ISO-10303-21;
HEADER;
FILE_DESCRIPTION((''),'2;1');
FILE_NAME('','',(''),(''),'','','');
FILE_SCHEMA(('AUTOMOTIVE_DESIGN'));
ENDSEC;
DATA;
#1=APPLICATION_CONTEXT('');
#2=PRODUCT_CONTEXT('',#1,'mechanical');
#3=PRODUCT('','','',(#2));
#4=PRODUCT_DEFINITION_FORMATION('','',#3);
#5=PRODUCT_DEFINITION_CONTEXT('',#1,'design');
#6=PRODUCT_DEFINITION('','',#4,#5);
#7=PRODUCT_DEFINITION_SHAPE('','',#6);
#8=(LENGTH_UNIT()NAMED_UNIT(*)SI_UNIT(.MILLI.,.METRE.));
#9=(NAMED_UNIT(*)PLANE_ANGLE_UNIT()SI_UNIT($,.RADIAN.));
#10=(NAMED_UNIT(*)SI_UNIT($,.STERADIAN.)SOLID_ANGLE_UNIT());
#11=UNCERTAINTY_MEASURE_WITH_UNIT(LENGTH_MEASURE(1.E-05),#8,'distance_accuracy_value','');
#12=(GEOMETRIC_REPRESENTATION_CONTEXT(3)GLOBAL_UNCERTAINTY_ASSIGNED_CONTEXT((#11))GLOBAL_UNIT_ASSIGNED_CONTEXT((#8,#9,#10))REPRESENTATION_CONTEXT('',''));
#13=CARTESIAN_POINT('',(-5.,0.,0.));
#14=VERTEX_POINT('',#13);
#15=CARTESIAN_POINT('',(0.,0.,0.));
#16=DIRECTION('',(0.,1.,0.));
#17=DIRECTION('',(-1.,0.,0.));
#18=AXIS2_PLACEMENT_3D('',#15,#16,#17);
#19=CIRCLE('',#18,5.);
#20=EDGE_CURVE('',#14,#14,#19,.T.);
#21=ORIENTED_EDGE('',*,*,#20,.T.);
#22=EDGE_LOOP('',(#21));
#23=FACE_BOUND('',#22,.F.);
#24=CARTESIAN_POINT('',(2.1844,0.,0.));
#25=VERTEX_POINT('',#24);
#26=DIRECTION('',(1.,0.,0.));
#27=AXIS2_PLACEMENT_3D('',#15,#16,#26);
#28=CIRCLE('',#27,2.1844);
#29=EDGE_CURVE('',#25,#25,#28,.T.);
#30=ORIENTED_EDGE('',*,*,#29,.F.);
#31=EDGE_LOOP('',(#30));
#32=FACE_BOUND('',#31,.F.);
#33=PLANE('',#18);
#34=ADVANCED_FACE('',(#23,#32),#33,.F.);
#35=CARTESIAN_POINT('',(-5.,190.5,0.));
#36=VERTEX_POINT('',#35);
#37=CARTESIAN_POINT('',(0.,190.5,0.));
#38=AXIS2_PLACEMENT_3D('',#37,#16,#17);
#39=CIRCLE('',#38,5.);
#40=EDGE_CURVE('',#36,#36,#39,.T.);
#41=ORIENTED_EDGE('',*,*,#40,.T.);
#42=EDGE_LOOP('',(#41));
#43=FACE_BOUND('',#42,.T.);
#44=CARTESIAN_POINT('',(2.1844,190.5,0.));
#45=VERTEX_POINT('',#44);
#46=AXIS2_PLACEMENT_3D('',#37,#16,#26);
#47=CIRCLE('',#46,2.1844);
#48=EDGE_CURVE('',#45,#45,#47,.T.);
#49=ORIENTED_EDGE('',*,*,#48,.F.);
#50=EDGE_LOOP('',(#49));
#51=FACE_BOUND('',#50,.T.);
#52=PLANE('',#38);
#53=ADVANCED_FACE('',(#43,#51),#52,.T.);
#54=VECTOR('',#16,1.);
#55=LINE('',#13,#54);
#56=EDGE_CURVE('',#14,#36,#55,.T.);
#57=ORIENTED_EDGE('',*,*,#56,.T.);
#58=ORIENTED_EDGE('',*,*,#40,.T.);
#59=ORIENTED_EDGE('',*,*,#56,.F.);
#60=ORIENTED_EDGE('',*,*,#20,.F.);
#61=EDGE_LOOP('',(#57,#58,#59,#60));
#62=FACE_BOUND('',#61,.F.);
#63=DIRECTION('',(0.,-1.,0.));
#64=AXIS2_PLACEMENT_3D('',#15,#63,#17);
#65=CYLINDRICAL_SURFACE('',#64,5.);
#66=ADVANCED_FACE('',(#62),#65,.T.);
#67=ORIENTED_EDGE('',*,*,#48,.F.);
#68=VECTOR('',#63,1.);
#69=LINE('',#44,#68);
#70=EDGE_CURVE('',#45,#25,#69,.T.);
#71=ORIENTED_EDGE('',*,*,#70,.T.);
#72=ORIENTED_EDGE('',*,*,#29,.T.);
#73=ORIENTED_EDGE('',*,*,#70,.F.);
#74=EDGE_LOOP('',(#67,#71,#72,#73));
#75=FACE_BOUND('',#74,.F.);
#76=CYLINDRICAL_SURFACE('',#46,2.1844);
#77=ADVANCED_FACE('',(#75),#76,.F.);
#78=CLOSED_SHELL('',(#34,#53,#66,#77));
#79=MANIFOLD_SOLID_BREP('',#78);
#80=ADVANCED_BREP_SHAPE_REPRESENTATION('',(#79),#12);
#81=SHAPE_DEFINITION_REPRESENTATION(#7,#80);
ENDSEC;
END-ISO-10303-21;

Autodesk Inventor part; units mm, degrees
ref_plane "YZ Plane" through (0, 0, 0) normal (1, 0, 0) x (0, 1, 0)
ref_plane "XZ Plane" through (0, 0, 0) normal (0, 1, 0) x (-1, 0, 0)
ref_plane "XY Plane" through (0, 0, 0) normal (0, 0, 1) x (1, 0, 0)
sketch "Boceto1" plane through (0, 0, 0) normal (0, 1, 0) x (-1, 0, 0)
  line L0 (-1.5875, 1.5875) -> (1.5875, 1.5875)
  line L1 (1.5875, 1.5875) -> (1.5875, -1.5875)
  line L2 (1.5875, -1.5875) -> (-1.5875, -1.5875)
  line L3 (-1.5875, -1.5875) -> (-1.5875, 1.5875)
  line L4 (-1.5875, 1.5875) -> (1.5875, -1.5875) construction
  line L5 (1.5875, 1.5875) -> (-1.5875, -1.5875) construction
  circle A0 centre (0, 0) radius 5
  dimension "d0" = 3.175
  dimension "d1" = 10
extrude "Extrusión1" add sketch "Boceto1" along normal blind 190.5 contours L0 L1 L2 L3 | A0
sketch "Boceto2" plane through (0, 0, 0) normal (0, -1, 0) x (1, 0, 0)
  point P0 (0, 0)
sketch "Boceto4" plane through (0, 190.5, 0) normal (0, 1, 0) x (1, 0, 0)
  circle A0 centre (0, 0) radius 2.1844
  dimension "d7" = 4.3688
extrude "Extrusión3" cut sketch "Boceto4" against normal blind 190.5
properties part number "Separador XL"
